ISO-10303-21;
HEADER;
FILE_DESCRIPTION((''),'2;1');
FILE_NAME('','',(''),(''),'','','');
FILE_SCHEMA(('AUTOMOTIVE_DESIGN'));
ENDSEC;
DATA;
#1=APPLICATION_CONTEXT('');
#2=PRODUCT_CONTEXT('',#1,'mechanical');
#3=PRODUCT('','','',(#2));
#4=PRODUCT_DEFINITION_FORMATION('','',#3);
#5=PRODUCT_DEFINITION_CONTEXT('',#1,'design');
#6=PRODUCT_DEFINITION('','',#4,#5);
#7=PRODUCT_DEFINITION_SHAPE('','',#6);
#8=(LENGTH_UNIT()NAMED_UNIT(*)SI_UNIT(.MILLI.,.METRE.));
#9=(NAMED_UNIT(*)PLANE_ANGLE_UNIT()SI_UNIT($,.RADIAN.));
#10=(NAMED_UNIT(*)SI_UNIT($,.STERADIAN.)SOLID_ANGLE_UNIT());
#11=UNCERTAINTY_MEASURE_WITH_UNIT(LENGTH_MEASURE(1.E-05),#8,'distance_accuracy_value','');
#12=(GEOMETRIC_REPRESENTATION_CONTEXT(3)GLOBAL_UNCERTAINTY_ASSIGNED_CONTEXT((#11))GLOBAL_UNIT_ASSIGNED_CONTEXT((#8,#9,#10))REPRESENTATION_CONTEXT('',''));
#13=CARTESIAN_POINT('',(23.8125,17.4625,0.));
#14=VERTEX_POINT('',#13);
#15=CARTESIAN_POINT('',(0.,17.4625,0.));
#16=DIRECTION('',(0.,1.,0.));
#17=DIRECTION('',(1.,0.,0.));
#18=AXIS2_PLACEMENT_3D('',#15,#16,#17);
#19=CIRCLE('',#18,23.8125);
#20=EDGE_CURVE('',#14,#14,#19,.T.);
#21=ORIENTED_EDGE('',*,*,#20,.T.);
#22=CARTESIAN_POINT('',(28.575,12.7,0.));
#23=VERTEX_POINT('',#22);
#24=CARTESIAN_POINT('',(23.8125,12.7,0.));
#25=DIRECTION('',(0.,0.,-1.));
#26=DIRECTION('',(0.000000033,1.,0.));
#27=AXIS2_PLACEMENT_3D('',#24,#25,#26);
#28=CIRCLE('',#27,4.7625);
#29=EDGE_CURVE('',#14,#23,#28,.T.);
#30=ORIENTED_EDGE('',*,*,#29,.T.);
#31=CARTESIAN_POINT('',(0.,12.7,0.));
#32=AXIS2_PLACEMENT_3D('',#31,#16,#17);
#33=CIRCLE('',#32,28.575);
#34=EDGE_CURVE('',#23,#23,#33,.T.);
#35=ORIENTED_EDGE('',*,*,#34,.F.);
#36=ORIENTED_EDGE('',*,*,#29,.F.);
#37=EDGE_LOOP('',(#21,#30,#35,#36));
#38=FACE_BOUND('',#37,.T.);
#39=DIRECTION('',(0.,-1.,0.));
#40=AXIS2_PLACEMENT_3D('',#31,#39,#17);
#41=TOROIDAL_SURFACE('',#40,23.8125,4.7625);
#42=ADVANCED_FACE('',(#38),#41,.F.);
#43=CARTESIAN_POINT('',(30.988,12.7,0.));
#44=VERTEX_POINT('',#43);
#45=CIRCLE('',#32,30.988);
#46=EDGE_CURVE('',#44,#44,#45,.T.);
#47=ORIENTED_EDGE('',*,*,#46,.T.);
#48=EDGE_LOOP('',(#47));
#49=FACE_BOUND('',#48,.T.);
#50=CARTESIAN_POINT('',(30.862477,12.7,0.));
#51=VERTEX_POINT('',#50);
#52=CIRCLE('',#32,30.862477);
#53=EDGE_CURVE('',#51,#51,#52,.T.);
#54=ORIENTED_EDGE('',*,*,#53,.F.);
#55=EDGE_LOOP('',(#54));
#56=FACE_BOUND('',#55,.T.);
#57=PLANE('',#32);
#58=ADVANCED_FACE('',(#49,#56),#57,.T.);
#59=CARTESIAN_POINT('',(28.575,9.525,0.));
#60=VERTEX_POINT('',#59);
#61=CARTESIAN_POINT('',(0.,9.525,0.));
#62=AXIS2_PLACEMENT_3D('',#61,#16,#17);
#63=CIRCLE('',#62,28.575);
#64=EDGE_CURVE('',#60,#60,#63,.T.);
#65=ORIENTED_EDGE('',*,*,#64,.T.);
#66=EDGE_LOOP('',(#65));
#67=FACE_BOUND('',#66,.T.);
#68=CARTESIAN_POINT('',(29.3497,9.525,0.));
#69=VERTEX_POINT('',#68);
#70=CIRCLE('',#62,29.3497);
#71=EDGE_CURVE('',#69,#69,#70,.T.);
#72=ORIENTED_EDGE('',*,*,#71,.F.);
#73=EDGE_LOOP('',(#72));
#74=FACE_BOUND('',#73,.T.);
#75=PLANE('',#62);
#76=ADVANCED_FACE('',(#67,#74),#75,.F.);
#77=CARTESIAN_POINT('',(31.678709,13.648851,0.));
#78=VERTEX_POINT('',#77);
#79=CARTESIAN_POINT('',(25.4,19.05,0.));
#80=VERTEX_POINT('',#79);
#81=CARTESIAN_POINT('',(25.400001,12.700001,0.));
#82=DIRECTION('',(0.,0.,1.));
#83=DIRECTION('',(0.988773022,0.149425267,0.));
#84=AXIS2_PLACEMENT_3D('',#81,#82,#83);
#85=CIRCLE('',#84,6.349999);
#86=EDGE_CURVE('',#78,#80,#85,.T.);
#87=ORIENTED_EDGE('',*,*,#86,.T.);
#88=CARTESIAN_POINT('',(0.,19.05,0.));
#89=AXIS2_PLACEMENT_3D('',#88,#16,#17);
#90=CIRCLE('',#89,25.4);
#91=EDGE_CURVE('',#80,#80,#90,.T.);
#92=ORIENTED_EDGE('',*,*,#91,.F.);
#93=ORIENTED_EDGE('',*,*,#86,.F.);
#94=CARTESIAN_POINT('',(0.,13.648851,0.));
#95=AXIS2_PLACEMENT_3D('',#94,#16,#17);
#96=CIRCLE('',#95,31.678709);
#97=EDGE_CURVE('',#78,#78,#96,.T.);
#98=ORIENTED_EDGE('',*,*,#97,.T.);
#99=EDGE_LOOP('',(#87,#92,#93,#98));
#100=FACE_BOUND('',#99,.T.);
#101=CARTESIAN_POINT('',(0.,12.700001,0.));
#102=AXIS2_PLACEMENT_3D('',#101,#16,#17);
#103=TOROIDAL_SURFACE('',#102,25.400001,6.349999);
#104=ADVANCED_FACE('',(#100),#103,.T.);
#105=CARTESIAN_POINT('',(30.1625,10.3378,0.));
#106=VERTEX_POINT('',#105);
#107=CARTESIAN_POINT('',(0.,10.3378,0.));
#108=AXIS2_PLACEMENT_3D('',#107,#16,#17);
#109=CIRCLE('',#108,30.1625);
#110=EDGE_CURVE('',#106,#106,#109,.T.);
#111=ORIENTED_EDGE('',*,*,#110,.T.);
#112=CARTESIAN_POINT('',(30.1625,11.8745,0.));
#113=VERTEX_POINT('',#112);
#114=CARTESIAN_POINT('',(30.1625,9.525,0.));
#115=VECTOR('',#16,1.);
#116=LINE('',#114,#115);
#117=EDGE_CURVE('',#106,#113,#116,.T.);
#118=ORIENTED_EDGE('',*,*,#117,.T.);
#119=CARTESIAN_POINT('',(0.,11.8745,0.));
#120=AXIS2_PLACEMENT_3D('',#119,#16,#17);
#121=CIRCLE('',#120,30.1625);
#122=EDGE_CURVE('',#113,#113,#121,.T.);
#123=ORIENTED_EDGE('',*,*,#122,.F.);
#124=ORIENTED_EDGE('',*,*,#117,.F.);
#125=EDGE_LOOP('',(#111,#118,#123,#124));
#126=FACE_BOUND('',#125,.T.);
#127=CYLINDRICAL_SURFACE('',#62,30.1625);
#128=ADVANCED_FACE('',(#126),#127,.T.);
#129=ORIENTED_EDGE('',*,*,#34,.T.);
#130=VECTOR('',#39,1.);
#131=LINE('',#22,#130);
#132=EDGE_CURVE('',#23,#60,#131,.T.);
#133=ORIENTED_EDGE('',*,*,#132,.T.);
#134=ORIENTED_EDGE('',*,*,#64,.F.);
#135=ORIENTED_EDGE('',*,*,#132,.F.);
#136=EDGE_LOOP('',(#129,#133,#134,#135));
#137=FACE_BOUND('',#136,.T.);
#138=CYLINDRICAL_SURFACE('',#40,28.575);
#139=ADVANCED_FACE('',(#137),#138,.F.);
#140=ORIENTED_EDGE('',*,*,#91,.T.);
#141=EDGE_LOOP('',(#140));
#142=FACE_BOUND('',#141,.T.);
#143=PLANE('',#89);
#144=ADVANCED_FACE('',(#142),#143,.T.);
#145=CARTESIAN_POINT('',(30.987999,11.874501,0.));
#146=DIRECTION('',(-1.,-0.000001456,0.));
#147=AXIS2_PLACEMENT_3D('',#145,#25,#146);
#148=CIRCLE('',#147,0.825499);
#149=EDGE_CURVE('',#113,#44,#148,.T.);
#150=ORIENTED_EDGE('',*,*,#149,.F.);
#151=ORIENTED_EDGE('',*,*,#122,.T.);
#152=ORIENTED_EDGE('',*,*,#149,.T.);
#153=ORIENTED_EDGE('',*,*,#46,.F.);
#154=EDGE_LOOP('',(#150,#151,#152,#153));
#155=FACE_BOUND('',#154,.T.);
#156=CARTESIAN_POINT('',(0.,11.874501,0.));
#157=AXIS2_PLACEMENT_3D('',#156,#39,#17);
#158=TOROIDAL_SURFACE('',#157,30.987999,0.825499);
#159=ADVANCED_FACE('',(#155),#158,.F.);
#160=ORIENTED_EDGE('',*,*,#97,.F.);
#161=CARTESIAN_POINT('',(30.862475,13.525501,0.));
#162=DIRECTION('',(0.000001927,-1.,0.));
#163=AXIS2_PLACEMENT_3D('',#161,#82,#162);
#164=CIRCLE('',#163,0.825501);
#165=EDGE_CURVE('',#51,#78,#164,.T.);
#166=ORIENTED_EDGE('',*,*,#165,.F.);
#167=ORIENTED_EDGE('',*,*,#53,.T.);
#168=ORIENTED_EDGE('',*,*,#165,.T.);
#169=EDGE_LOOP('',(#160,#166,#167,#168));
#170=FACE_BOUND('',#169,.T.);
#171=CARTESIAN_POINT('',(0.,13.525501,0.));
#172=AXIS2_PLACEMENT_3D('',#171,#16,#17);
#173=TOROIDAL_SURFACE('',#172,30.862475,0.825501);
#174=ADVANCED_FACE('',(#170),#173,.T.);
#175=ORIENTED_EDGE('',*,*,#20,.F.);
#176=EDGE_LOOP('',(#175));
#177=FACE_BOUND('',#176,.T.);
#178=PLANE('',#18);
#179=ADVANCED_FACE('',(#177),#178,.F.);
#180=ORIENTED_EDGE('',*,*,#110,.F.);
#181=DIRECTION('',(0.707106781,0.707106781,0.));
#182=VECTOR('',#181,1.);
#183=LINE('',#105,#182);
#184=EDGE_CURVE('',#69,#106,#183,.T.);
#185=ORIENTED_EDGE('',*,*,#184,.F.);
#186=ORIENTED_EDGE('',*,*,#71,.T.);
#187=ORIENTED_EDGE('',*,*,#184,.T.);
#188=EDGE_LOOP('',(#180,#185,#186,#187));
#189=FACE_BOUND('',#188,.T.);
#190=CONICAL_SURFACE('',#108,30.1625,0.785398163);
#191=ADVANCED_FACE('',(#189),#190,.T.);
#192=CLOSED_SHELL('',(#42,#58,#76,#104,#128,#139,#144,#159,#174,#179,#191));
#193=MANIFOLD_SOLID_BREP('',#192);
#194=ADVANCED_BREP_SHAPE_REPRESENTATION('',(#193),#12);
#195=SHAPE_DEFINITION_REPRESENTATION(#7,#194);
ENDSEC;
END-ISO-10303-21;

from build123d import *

# Parameters (mm, degrees)
F2_SIZE = 0.8128


with BuildPart() as f1:
    # F0 (on Top) → F1 (revolve)
    with BuildSketch(Plane.XY):
        with BuildLine():
            Line((25.4, 19.05), (0, 19.05))
            Line((0, 19.05), (0, 17.4625))
            Line((0, 17.4625), (23.8125, 17.4625))
            ThreePointArc((23.8125, 17.4625), (27.180096, 16.067596), (28.575, 12.7))
            Line((28.575, 12.7), (28.575, 9.525))
            Line((28.575, 9.525), (30.1625, 9.525))
            Line((30.1625, 9.525), (30.1625, 11.8745))
            ThreePointArc((30.1625, 11.8745), (30.404283, 12.458217), (30.988, 12.7))
            Line((30.988, 12.7), (30.862477, 12.7))
            ThreePointArc((30.862477, 12.7), (31.488286, 12.987158), (31.678709, 13.648851))
            ThreePointArc((31.678709, 13.648851), (29.541093, 17.513923), (25.4, 19.05))
        make_face()
    revolve(axis=Axis((0, 18.25625, 0), (0, 1, 0)))

    # F2
    f2_edges = [f1.edges().sort_by_distance(p)[0] for p in [
        (-30.1625, 9.525, 0),
    ]]
    chamfer(f2_edges, length=F2_SIZE)


solid = f1.part
